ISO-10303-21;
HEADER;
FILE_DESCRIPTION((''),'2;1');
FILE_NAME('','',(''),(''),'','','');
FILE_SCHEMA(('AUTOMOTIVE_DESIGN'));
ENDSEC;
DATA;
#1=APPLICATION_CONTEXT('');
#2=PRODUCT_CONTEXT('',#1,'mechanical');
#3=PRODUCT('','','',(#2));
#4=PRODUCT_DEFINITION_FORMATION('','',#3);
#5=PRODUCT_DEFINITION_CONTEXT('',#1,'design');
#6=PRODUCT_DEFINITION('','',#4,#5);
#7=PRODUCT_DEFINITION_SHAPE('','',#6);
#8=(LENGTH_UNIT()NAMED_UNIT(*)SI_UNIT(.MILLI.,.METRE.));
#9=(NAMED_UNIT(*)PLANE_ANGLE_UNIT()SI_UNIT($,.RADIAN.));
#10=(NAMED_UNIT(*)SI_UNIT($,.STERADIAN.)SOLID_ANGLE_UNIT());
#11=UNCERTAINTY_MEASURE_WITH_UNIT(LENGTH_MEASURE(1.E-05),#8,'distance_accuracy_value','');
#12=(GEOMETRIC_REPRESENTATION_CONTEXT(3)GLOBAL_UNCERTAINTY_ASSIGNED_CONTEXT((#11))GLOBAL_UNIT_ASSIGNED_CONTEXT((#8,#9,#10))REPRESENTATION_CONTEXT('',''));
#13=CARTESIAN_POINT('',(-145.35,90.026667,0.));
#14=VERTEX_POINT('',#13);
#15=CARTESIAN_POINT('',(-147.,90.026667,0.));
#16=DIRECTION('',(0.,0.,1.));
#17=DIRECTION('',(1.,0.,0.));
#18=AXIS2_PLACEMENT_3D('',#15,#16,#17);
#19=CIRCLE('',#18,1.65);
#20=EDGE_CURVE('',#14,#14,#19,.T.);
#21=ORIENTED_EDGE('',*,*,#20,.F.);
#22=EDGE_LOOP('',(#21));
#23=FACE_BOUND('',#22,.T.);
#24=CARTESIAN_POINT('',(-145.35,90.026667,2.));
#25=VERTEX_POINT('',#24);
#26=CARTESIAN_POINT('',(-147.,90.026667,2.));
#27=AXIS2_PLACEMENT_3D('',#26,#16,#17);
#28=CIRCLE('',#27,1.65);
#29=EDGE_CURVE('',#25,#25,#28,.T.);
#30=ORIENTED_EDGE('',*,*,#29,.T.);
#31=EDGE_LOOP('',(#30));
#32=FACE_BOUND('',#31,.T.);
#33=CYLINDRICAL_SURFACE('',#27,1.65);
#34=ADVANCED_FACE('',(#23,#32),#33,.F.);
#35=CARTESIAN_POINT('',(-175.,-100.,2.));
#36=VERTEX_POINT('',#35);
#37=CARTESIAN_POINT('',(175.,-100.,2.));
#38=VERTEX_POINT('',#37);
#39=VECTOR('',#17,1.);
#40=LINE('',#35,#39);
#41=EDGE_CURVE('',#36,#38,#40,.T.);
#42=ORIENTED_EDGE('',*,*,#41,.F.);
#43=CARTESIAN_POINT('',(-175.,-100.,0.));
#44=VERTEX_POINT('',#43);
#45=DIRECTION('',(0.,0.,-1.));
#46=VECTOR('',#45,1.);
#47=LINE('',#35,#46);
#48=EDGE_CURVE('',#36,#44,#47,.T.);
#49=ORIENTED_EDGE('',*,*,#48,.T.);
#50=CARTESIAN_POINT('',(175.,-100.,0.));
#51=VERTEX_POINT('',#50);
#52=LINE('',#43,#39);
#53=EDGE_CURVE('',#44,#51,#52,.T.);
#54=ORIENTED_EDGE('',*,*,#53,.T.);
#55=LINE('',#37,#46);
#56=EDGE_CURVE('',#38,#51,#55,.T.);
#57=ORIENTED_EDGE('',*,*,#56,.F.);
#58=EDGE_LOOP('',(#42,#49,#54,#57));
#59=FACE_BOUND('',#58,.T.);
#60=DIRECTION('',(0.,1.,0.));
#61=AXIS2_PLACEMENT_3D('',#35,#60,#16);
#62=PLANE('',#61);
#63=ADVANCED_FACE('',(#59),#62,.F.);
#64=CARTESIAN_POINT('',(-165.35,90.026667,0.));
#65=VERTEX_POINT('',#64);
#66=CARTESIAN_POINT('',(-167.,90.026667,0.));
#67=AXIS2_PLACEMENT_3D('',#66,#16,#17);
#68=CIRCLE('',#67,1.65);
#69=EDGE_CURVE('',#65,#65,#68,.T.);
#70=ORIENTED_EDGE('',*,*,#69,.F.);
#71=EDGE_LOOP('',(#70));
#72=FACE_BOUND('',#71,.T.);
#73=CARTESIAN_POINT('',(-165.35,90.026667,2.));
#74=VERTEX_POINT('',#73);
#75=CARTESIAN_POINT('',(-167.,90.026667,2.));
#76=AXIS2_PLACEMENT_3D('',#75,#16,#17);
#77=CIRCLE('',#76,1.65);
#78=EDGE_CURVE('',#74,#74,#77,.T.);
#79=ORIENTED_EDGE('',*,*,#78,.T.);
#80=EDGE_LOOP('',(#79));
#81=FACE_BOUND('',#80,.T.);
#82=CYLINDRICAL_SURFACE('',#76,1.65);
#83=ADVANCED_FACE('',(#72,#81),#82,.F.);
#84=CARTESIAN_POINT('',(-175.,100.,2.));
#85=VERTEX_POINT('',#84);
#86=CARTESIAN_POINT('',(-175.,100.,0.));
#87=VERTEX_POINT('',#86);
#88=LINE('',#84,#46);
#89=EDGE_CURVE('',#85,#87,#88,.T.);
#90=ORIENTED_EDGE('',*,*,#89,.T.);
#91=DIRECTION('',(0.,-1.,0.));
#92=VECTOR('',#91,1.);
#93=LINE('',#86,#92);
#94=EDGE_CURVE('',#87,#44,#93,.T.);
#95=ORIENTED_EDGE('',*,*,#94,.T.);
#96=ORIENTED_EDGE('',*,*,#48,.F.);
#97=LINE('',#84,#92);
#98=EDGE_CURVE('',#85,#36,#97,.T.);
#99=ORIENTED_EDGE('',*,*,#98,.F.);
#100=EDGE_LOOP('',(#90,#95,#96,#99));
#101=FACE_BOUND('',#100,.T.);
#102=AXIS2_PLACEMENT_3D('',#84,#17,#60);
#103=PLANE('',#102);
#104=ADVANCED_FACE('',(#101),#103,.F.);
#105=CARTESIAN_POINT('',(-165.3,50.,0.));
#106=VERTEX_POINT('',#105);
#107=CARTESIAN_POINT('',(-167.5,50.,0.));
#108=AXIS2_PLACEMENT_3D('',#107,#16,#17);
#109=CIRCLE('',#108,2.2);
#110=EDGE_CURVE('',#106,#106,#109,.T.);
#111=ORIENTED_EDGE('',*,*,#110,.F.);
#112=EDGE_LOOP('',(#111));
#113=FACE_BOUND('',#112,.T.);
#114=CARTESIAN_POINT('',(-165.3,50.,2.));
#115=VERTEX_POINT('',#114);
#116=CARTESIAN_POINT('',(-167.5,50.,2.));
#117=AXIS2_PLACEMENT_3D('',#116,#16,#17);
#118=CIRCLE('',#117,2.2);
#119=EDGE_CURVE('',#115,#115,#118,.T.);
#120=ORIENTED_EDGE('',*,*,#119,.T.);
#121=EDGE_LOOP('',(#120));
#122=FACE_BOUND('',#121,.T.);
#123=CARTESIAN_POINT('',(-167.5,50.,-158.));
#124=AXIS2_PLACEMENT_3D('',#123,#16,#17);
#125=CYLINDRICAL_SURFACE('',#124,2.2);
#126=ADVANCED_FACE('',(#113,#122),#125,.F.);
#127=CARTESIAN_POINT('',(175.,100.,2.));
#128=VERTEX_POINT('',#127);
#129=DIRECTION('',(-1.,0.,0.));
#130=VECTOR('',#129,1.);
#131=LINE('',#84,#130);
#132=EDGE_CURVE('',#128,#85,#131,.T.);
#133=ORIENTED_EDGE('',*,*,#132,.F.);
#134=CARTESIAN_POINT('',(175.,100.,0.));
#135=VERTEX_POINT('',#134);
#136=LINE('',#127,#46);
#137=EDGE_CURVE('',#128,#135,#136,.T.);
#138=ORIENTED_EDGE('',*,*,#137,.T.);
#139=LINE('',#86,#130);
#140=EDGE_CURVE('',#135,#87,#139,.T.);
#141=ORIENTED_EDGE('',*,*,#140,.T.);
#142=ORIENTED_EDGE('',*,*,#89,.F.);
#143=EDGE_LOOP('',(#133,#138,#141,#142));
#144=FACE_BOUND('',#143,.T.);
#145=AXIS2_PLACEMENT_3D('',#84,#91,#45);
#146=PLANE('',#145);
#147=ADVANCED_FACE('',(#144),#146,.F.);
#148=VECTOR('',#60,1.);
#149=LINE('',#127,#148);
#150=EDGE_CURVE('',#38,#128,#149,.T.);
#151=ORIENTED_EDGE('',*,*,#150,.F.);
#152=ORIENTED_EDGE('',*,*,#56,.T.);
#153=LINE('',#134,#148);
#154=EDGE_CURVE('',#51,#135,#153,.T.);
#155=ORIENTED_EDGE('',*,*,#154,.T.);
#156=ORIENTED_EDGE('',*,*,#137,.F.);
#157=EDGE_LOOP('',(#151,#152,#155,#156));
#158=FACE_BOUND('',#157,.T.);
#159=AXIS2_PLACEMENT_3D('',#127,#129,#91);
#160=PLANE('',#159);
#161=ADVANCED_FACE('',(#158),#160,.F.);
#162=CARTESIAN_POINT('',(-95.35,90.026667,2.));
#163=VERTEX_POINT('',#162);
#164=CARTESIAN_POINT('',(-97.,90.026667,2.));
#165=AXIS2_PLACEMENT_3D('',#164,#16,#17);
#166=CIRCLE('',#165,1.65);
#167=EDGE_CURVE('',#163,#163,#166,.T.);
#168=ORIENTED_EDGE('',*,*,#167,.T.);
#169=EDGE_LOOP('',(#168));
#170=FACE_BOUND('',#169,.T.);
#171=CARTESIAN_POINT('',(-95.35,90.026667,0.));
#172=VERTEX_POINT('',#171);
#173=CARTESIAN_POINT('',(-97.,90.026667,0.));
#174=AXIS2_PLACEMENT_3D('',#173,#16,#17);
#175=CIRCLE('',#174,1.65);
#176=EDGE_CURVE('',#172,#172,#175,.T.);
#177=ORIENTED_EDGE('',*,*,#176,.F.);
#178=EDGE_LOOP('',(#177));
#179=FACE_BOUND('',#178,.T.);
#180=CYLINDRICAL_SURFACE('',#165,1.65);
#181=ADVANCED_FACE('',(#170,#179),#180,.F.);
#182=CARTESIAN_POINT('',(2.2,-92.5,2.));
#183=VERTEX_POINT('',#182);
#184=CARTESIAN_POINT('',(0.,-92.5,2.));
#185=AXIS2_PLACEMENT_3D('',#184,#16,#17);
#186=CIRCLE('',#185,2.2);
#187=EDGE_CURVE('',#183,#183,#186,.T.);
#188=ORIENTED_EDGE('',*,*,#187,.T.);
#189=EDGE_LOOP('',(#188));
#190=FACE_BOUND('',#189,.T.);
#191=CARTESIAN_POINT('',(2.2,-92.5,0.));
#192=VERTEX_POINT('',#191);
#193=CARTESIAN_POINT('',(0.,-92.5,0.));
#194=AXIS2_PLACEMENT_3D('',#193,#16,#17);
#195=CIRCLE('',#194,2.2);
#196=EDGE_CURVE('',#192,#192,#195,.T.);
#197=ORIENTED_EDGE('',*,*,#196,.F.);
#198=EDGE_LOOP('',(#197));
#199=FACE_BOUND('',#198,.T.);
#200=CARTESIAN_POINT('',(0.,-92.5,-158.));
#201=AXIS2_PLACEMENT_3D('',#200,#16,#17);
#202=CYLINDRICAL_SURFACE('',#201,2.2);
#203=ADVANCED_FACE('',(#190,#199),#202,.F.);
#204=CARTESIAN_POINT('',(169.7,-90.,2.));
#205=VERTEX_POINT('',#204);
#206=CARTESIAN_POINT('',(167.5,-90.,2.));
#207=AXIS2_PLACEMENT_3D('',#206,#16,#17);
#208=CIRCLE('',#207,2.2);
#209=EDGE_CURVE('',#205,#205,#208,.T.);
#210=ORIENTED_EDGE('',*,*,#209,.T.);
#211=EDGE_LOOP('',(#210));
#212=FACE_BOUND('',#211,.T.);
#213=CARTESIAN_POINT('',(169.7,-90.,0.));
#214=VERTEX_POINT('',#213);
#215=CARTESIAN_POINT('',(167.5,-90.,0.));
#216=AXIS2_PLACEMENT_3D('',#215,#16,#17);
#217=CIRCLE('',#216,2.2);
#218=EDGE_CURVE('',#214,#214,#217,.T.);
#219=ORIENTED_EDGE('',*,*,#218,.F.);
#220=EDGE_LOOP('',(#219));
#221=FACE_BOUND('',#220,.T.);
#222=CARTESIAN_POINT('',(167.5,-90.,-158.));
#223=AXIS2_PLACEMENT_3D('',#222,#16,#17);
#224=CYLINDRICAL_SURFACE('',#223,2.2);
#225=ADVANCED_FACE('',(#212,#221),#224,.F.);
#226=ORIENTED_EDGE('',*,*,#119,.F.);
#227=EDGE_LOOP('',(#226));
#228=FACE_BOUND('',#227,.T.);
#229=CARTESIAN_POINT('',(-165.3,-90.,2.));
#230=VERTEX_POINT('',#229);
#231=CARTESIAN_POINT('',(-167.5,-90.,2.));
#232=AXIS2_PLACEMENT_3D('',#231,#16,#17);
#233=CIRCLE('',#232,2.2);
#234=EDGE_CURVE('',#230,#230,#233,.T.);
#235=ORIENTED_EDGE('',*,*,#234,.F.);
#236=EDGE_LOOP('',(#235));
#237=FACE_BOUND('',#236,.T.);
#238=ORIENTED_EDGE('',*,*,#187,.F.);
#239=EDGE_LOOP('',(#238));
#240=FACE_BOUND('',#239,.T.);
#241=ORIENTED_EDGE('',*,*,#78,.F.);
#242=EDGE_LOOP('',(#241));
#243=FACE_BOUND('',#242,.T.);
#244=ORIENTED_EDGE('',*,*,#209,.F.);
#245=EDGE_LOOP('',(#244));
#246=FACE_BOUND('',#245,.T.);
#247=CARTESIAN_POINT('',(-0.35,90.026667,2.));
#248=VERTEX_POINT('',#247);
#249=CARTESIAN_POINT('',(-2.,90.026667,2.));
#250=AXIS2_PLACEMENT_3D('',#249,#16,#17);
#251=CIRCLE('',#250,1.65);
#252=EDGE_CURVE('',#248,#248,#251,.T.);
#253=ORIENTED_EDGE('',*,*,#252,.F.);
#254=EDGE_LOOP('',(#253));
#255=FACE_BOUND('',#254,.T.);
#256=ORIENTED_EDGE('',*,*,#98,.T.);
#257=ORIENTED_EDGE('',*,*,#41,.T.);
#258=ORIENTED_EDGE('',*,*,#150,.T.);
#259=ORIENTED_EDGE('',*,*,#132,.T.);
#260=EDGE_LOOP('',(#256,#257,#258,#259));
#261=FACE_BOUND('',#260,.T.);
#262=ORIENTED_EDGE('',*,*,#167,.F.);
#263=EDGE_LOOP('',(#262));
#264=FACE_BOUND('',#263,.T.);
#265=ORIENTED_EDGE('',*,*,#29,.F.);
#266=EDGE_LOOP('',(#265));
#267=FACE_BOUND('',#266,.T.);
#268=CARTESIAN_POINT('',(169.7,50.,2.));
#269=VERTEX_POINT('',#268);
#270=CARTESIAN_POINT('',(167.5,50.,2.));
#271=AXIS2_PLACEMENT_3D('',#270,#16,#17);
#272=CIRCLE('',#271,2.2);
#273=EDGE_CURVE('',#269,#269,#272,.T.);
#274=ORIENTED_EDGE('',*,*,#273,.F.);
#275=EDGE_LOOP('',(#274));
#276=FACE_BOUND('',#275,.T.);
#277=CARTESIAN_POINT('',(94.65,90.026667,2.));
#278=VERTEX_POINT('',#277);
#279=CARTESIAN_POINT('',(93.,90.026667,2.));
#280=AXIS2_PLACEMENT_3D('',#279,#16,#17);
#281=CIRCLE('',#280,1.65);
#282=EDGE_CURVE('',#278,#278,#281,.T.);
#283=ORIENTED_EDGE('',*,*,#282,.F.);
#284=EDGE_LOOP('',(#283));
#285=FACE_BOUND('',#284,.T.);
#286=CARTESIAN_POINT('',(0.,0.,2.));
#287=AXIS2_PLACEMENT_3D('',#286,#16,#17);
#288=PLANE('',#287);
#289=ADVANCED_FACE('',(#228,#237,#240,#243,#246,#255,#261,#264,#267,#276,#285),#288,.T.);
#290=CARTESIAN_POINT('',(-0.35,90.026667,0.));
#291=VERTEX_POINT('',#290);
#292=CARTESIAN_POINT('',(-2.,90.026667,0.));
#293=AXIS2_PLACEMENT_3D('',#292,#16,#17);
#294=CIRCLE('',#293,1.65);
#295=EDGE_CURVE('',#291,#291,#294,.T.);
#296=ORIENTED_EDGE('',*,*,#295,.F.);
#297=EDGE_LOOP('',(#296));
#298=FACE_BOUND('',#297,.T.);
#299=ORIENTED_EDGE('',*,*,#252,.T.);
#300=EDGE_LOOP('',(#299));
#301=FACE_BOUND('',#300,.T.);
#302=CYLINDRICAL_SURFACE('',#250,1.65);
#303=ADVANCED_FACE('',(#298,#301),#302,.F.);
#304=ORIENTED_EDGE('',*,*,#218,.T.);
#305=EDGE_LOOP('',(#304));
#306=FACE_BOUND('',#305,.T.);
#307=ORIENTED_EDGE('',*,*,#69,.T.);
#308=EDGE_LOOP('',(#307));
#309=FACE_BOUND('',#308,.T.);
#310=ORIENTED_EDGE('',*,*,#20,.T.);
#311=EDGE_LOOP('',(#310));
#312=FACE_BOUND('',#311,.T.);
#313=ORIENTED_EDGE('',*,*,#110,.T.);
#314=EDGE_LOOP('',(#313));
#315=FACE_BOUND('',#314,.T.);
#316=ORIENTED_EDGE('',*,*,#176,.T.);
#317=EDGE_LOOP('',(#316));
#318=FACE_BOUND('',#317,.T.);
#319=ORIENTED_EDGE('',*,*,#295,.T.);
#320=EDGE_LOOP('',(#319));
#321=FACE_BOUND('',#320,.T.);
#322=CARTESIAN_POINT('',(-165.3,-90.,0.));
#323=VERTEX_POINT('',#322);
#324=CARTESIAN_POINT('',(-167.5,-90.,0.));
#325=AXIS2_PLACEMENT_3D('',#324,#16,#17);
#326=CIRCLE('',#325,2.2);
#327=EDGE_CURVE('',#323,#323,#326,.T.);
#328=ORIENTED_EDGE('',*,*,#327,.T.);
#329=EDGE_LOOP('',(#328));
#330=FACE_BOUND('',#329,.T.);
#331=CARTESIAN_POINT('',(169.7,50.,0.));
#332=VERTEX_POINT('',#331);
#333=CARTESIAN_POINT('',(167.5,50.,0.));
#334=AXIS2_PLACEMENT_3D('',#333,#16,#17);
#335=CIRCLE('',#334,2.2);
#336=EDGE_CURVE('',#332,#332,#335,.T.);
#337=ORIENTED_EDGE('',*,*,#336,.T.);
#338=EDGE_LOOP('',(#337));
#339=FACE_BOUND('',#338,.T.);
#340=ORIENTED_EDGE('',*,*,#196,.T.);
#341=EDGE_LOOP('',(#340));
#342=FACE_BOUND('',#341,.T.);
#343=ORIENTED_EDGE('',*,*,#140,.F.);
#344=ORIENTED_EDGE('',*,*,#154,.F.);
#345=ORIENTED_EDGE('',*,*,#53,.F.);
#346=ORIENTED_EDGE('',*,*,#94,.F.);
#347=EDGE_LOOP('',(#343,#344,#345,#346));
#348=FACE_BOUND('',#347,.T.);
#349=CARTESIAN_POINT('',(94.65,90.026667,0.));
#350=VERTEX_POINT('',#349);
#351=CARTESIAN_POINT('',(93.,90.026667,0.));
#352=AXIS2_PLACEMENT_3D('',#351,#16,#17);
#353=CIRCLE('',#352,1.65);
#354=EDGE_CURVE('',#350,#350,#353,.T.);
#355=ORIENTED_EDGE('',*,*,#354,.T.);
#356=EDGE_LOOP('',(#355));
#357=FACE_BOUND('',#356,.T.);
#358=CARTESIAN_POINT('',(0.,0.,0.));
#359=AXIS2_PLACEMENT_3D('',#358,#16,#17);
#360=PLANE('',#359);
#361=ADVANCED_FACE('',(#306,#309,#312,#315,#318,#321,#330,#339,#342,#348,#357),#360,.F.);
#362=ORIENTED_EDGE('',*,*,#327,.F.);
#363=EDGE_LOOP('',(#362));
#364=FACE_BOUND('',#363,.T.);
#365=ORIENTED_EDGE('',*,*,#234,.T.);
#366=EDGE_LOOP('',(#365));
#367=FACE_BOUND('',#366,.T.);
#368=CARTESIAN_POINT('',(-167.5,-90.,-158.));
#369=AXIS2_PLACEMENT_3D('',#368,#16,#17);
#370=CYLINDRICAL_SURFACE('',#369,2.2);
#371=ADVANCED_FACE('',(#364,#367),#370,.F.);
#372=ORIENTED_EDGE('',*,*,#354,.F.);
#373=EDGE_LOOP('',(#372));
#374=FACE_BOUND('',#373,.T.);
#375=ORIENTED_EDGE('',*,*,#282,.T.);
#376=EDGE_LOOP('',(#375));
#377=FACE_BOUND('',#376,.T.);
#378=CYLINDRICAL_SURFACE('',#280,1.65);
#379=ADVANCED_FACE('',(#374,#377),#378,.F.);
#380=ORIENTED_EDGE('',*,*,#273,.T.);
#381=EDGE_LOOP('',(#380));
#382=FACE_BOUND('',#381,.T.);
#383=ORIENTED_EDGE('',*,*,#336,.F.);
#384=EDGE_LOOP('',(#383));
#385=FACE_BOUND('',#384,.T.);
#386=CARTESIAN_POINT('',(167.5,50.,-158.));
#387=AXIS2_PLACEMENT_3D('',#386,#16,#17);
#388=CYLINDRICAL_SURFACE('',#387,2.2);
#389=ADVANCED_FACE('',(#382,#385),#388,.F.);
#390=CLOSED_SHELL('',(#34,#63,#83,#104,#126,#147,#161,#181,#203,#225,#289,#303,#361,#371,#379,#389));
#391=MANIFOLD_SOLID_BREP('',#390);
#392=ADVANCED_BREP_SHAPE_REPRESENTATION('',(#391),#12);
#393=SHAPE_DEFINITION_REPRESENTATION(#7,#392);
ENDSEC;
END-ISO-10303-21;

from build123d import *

# Parameters (mm, degrees)
SKETCH_1_W          = 350
SKETCH_1_H          = 200
EXTRUDE_1_DEPTH     = 2
SKETCH_3_R          = 2.2
CUT_EXTRUDE_2_DEPTH = 160
CUT_EXTRUDE_3_DEPTH = 160
SKETCH_9_R          = 1.092195423
SKETCH_9_R_2        = 1.081161574
SKETCH_9_R_3        = 1.093650915
CUT_EXTRUDE_6_DEPTH = 10
M4X0_7_3_D          = 3.3
SKETCH_12_R         = 1.094790711
SKETCH_12_R_2       = 0.646819846
CUT_EXTRUDE_7_DEPTH = 10
M4X0_7_4_D          = 3.3


with BuildPart() as part:
    # ｽｹｯﾁ1 → ﾎﾞｽ - 押し出し1 (new body)
    with BuildSketch(Plane.XY):
        Rectangle(SKETCH_1_W, SKETCH_1_H)
    extrude(amount=EXTRUDE_1_DEPTH)

    # ｽｹｯﾁ3 → ｶｯﾄ - 押し出し2 (cut)
    with BuildSketch(Plane.XY.offset(2)):
        with Locations((-167.5, 50)):
            Circle(SKETCH_3_R)
        with Locations((-167.5, -90)):
            Circle(SKETCH_3_R)
        with Locations((167.5, -90)):
            Circle(SKETCH_3_R)
        with Locations((167.5, 50)):
            Circle(SKETCH_3_R)
    extrude(amount=-CUT_EXTRUDE_2_DEPTH, mode=Mode.SUBTRACT)

    # ｽｹｯﾁ4 → ｶｯﾄ - 押し出し3 (cut)
    with BuildSketch(Plane.XY.offset(2)):
        with BuildLine():
            Line((0, -92.5), (-2.2, -92.5))
            ThreePointArc((-2.2, -92.5), (0, -94.7), (2.2, -92.5))
            Line((2.2, -92.5), (0, -92.5))
        make_face()
        with BuildLine():
            ThreePointArc((0, -90.3), (-1.555634919, -90.944365081), (-2.2, -92.5))
            Line((-2.2, -92.5), (0, -92.5))
            Line((0, -92.5), (0, -90.3))
        make_face()
        with BuildLine():
            Line((0, -90.3), (0, -92.5))
            Line((0, -92.5), (2.2, -92.5))
            ThreePointArc((2.2, -92.5), (1.555634919, -90.944365081), (0, -90.3))
        make_face()
    extrude(amount=-CUT_EXTRUDE_3_DEPTH, mode=Mode.SUBTRACT)

    # ｽｹｯﾁ9 → ｶｯﾄ - 押し出し6 (cut)
    with BuildSketch(Plane.XY.offset(2)):
        with Locations((-97, 90.026666535)):
            Circle(SKETCH_9_R)
        with Locations((-2, 90.026666535)):
            Circle(SKETCH_9_R_2)
        with Locations((93, 90.026666535)):
            Circle(SKETCH_9_R_3)
    extrude(amount=-CUT_EXTRUDE_6_DEPTH, mode=Mode.SUBTRACT)

    # M4x0.7 ねじ穴3 (through all)
    with Locations(Plane(origin=(93, 90.026666535, 2), x_dir=(1, 0, 0), z_dir=(0, 0, 1))):
        with Locations((0, 0), (-95, 0), (-190, 0)):
            Hole(M4X0_7_3_D / 2)

    # ｽｹｯﾁ12 → ｶｯﾄ - 押し出し7 (cut)
    with BuildSketch(Plane.XY.offset(2)):
        with Locations((-147, 90.026666535)):
            Circle(SKETCH_12_R)
        with Locations((-167, 90.026666535)):
            Circle(SKETCH_12_R_2)
    extrude(amount=-CUT_EXTRUDE_7_DEPTH, mode=Mode.SUBTRACT)

    # M4x0.7 ねじ穴4 (through all)
    with Locations(Plane(origin=(-147, 90.026666535, 2), x_dir=(1, 0, 0), z_dir=(0, 0, 1))):
        with Locations((0, 0), (-20, 0)):
            Hole(M4X0_7_4_D / 2)


solid = part.part
